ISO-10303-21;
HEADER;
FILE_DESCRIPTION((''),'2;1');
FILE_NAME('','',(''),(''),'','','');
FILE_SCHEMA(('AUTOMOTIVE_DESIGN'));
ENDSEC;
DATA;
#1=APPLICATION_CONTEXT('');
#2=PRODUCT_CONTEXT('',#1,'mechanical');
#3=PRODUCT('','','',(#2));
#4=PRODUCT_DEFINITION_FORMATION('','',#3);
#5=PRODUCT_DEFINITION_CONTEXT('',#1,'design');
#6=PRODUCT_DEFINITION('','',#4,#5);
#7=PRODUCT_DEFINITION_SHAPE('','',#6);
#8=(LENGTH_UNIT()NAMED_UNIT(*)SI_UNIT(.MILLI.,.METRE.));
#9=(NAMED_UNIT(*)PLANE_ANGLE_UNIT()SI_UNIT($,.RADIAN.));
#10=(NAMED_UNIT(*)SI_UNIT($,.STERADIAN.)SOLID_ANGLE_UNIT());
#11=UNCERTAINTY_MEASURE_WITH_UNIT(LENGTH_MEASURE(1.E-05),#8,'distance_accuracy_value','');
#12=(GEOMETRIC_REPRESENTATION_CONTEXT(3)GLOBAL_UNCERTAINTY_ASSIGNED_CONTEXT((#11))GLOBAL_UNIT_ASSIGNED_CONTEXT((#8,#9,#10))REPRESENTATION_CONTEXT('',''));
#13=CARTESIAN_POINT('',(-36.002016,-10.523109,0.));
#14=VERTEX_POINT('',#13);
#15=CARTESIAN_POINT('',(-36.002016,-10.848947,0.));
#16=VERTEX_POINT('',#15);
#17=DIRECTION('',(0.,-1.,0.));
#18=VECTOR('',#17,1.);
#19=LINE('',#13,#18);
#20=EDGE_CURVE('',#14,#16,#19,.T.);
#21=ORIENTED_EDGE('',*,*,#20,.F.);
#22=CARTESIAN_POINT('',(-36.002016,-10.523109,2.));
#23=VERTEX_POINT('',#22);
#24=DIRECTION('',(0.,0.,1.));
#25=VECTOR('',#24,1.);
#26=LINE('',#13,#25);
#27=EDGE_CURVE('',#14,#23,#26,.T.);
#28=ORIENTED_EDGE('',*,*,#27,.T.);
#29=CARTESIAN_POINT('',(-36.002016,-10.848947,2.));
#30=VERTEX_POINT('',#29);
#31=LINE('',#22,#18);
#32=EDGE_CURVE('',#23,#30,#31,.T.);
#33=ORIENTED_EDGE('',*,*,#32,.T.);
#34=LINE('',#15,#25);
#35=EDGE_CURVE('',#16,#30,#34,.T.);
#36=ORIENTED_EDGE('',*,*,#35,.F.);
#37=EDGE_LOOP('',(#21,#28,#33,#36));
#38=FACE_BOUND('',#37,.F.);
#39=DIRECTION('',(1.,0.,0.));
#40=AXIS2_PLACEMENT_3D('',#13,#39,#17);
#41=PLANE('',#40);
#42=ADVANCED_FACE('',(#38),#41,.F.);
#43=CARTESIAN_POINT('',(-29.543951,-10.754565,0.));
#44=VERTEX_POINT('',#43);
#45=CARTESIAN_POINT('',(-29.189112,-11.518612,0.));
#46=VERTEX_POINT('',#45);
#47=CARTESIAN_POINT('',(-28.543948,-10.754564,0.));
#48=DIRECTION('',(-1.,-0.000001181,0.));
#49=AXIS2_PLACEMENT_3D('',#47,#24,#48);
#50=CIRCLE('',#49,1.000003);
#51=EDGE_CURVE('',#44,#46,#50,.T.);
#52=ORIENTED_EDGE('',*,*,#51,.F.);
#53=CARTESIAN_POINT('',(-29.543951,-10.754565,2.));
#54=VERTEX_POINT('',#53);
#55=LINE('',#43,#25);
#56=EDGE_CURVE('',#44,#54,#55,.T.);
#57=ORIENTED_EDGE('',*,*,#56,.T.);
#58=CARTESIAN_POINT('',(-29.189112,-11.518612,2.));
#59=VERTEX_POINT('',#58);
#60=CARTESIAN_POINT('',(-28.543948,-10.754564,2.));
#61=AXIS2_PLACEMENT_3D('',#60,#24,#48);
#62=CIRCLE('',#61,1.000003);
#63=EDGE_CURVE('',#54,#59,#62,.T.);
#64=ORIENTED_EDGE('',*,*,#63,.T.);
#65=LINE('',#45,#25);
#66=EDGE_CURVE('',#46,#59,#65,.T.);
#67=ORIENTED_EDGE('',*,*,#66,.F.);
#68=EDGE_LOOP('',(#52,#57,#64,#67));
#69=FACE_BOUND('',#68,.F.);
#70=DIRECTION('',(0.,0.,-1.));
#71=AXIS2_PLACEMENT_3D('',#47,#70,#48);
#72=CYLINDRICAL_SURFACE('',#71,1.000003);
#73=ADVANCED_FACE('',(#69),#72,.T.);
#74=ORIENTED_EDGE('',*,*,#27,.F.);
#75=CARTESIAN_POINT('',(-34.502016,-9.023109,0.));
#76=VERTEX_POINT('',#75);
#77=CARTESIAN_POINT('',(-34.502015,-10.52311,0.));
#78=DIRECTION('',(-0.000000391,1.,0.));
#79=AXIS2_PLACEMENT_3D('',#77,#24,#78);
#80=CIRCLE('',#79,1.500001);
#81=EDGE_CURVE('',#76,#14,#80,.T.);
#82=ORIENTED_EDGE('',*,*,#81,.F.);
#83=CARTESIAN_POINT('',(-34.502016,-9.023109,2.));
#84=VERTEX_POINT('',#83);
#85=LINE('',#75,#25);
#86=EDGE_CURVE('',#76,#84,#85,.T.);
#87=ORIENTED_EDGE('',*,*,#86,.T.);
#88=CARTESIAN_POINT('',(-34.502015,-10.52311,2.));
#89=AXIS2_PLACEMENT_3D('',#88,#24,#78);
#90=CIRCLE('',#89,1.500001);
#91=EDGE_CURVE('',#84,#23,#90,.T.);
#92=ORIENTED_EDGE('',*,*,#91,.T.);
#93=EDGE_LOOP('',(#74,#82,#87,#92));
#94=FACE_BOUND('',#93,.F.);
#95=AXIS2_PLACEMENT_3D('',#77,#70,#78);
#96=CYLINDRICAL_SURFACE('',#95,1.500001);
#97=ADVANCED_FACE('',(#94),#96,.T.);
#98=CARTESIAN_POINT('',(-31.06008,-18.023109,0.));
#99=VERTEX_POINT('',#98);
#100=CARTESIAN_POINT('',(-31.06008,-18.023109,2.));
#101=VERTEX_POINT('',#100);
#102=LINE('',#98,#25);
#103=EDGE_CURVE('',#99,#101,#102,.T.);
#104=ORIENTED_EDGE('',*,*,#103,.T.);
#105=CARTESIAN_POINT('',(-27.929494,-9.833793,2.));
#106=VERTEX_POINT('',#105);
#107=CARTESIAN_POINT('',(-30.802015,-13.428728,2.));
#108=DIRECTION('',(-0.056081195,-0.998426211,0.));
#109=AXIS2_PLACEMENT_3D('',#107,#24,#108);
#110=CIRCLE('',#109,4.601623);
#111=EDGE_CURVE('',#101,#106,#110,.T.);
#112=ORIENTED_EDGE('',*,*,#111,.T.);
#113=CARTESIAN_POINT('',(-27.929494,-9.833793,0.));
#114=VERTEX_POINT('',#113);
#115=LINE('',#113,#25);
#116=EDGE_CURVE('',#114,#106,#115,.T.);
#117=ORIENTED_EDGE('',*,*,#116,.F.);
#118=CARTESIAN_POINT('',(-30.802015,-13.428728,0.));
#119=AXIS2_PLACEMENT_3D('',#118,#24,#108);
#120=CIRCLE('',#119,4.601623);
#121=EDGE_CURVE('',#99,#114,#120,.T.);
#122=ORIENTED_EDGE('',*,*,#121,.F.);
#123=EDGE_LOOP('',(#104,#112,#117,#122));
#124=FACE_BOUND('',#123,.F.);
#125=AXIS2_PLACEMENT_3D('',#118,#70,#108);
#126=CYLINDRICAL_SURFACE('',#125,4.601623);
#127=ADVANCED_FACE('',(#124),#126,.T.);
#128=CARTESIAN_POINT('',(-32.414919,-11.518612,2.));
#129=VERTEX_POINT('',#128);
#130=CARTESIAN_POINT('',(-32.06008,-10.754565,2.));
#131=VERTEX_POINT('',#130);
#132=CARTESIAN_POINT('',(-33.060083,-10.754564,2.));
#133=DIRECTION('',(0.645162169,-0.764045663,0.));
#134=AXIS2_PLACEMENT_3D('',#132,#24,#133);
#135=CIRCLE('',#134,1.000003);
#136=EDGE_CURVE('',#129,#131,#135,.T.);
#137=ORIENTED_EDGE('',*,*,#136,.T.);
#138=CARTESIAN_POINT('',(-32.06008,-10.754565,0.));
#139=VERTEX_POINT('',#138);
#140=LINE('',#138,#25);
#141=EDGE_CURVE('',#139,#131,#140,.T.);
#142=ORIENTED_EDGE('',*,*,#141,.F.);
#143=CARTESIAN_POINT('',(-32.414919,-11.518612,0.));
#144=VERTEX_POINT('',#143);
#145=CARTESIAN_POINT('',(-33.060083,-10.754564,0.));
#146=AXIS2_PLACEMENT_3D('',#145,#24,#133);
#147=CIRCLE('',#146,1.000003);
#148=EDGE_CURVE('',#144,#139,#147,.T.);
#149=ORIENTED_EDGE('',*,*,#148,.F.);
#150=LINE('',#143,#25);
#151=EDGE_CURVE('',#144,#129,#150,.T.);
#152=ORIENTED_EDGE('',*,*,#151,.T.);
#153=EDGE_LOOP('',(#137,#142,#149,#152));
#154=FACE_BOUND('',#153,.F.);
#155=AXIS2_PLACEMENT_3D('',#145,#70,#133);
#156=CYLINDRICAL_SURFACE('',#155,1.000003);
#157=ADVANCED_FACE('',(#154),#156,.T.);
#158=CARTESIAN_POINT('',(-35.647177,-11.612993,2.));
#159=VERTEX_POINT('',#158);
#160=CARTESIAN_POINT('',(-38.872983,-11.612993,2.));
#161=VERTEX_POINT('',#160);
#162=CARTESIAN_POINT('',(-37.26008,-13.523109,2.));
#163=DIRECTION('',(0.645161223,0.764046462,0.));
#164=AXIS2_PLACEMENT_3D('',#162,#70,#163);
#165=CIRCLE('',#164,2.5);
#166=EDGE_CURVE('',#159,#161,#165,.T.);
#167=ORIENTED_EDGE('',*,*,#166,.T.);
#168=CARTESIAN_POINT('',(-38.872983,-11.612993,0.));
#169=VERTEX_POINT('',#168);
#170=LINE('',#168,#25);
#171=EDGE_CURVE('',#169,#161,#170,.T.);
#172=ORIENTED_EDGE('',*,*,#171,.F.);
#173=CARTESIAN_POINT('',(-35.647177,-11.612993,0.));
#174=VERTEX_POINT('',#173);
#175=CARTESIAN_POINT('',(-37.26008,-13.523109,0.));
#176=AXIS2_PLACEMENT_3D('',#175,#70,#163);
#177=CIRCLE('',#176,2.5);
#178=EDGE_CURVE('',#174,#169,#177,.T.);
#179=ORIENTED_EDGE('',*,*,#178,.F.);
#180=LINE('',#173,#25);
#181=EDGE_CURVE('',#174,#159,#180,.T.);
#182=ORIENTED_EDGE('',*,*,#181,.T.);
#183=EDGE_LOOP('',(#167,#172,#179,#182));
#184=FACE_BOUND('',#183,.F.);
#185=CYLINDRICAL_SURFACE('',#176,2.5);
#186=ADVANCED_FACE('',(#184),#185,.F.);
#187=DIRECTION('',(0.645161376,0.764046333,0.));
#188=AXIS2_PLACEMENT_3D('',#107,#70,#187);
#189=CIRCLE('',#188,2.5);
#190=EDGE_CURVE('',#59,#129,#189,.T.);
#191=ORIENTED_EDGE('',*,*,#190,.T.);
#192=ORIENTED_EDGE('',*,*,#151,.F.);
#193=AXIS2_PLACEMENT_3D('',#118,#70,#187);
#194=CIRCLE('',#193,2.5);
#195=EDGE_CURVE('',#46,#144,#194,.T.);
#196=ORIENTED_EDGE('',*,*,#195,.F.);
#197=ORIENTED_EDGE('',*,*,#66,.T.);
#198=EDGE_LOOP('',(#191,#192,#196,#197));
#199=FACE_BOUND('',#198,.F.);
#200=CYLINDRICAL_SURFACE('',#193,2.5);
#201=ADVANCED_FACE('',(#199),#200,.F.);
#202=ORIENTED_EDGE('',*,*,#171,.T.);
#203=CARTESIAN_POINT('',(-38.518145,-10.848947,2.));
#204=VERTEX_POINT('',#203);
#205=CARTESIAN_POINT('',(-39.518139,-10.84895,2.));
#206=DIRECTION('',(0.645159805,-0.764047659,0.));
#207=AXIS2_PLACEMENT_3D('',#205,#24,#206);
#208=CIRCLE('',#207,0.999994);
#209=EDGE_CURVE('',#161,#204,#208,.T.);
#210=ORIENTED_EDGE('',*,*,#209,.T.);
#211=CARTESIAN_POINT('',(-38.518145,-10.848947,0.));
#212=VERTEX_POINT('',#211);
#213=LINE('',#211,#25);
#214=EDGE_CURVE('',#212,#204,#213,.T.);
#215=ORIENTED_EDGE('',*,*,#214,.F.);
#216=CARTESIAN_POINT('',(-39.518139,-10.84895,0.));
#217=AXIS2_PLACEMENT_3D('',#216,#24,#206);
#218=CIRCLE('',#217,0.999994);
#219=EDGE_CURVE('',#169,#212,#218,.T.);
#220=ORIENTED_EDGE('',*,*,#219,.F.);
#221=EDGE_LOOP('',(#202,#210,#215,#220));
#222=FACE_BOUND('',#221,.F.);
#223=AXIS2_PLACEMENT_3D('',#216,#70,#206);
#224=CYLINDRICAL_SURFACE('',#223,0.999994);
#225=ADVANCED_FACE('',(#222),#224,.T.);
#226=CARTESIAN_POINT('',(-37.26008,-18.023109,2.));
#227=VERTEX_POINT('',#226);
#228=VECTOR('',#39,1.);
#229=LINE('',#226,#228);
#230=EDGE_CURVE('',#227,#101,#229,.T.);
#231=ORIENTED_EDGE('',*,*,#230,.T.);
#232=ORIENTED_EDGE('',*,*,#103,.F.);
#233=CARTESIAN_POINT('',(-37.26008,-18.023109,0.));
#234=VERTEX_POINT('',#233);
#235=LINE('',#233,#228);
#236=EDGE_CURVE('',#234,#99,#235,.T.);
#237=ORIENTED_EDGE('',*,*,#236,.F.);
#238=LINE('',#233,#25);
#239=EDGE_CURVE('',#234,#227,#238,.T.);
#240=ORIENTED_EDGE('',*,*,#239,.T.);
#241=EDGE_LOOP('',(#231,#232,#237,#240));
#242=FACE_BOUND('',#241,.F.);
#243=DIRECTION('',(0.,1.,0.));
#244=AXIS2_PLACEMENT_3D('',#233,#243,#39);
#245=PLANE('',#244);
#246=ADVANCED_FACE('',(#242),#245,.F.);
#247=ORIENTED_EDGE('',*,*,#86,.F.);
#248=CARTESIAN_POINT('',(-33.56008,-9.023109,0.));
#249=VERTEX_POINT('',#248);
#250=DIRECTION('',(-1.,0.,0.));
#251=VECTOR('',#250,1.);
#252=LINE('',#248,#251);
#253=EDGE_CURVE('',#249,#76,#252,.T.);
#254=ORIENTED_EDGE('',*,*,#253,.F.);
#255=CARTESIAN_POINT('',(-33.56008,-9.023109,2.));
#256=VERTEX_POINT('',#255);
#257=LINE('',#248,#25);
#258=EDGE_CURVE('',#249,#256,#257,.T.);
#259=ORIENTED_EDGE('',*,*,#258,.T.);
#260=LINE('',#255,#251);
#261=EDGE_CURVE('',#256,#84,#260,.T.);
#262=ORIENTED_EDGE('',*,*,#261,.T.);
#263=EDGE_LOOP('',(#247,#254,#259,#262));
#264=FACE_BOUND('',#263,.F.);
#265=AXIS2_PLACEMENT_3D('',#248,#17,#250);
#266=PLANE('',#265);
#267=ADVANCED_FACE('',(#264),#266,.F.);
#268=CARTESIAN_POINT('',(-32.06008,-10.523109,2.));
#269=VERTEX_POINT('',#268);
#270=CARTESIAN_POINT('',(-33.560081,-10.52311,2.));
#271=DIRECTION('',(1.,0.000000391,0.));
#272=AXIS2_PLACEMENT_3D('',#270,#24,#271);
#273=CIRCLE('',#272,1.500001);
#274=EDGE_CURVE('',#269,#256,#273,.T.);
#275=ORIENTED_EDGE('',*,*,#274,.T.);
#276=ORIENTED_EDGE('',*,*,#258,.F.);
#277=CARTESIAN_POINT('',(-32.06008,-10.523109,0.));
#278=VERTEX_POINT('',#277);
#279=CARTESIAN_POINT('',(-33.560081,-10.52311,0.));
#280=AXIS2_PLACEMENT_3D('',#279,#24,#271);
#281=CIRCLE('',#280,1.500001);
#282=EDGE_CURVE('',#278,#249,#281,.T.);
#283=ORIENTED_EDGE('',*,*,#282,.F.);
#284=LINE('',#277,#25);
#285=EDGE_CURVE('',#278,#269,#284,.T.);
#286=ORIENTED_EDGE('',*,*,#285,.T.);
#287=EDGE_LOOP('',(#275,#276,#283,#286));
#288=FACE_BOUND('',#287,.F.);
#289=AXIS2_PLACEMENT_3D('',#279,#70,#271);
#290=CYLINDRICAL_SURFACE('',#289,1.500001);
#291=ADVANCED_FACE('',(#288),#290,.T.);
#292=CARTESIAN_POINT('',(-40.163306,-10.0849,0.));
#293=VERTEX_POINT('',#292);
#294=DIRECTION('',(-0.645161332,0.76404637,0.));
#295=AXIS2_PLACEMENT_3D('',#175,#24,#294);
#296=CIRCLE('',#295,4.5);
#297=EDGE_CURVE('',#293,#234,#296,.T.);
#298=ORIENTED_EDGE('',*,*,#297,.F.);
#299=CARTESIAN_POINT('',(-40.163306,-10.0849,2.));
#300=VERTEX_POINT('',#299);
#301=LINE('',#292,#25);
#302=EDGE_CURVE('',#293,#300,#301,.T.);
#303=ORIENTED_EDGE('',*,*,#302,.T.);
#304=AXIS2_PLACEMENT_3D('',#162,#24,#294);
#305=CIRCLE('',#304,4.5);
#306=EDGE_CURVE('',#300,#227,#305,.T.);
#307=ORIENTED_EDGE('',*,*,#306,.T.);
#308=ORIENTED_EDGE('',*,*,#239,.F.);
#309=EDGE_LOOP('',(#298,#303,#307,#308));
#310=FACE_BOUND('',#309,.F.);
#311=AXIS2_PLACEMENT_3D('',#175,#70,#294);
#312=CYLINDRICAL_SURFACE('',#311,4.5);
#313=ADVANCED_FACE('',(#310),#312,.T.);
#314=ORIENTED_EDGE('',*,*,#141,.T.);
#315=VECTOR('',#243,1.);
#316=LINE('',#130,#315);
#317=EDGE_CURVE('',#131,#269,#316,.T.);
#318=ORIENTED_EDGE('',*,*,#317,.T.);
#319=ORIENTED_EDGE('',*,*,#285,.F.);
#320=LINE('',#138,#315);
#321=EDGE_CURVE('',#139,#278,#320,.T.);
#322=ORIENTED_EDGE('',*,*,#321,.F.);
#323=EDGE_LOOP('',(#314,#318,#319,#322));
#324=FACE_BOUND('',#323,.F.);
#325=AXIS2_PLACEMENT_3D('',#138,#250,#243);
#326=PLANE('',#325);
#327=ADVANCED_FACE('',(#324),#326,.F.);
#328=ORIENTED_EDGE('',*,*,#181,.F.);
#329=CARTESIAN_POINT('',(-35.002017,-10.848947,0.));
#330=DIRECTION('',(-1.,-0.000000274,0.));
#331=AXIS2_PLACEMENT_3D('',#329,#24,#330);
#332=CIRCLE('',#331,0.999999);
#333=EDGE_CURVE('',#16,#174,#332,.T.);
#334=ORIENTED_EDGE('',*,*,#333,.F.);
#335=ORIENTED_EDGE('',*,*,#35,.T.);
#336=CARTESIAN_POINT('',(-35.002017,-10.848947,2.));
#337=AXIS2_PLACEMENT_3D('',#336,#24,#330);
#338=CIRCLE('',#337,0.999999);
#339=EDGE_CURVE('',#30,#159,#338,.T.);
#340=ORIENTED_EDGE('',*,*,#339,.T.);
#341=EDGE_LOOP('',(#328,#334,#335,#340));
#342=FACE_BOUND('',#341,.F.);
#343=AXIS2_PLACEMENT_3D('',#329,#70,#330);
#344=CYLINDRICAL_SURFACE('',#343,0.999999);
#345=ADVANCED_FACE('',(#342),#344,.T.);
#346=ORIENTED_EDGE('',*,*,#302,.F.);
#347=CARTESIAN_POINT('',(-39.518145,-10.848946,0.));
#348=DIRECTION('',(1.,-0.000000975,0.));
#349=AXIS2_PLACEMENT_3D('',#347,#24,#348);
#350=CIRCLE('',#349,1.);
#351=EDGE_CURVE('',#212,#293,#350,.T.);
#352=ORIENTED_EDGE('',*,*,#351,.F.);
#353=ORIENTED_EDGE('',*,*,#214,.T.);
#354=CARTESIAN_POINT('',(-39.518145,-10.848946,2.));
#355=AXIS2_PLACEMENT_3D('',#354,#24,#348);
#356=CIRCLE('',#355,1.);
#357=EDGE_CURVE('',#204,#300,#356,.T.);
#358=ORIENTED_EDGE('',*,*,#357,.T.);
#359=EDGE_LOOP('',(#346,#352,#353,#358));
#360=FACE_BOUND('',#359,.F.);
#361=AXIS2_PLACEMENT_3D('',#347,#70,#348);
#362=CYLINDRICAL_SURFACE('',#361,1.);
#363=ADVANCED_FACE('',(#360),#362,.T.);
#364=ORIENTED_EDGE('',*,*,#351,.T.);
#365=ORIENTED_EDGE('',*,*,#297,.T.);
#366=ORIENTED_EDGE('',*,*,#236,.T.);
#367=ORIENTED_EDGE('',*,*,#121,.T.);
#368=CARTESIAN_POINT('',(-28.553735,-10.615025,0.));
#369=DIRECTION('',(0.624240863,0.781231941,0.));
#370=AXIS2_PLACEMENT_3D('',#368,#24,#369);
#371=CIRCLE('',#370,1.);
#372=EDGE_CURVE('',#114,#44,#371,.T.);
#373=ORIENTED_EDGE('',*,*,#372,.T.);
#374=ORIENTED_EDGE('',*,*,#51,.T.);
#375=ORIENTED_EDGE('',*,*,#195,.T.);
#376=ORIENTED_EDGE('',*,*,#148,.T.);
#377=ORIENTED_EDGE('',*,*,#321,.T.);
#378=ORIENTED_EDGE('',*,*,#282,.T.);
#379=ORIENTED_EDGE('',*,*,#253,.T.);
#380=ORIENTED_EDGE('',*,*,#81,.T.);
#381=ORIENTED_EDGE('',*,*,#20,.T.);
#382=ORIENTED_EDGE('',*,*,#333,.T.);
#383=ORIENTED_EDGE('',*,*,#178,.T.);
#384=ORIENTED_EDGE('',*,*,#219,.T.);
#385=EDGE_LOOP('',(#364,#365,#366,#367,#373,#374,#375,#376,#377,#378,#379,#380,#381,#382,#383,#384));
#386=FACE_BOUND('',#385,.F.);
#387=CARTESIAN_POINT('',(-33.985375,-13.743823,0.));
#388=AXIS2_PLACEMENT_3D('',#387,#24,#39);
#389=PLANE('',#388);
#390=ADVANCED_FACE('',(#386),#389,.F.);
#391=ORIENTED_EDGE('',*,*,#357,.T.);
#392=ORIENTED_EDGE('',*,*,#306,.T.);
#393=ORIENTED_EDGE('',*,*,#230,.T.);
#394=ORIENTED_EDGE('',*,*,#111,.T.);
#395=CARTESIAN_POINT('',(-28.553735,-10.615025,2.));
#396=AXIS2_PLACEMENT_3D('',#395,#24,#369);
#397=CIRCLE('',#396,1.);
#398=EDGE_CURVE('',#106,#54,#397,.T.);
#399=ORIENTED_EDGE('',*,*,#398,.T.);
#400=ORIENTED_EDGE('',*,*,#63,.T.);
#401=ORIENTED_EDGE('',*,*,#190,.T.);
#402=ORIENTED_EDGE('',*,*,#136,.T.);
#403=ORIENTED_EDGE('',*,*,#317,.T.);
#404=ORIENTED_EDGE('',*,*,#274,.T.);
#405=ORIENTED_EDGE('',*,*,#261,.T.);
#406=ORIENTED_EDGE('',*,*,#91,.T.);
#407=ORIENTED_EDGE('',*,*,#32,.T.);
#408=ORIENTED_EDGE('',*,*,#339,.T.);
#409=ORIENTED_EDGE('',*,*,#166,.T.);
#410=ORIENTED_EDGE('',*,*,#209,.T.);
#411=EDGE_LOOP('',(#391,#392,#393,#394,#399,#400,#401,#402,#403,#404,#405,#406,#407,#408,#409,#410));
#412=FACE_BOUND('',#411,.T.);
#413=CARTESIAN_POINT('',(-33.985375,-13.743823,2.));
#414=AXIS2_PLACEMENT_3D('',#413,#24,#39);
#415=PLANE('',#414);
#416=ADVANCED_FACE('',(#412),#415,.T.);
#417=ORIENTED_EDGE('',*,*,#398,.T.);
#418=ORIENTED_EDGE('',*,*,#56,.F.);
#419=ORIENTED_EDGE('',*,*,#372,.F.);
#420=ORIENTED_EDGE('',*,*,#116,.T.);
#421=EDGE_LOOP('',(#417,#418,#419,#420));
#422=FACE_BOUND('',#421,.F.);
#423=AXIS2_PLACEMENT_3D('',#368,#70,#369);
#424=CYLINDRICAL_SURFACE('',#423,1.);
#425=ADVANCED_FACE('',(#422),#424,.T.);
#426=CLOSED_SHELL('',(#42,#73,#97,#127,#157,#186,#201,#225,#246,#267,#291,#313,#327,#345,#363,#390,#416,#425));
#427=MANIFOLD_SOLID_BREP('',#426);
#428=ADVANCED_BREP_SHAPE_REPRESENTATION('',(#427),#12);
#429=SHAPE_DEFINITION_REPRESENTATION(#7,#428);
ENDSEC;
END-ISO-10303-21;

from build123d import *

# Parameters (mm, degrees)
F1_DEPTH = 2


with BuildPart() as f1:
    # F0 (on Top) → F1 (new body)
    with BuildSketch(Plane.XY):
        with BuildLine():
            ThreePointArc((-35.647177, -11.612993), (-37.26008, -16.023109), (-38.872983, -11.612993))
            ThreePointArc((-38.872983, -11.612993), (-38.611182, -11.270159), (-38.518145, -10.848947))
            ThreePointArc((-38.518145, -10.848947), (-39.096933, -9.941984), (-40.163306, -10.0849))
            ThreePointArc((-40.163306, -10.0849), (-41.486304, -15.068758), (-37.26008, -18.023109))
            Line((-37.26008, -18.023109), (-31.06008, -18.023109))
            ThreePointArc((-31.06008, -18.023109), (-26.503752, -15.071855), (-27.929494, -9.833793))
            ThreePointArc((-27.929494, -9.833793), (-29.049154, -9.746371), (-29.543951, -10.754565))
            ThreePointArc((-29.543951, -10.754565), (-29.450913, -11.175777), (-29.189112, -11.518612))
            ThreePointArc((-29.189112, -11.518612), (-30.802016, -15.928728), (-32.414919, -11.518612))
            ThreePointArc((-32.414919, -11.518612), (-32.153118, -11.175777), (-32.06008, -10.754565))
            Line((-32.06008, -10.754565), (-32.06008, -10.523109))
            ThreePointArc((-32.06008, -10.523109), (-32.49942, -9.462449), (-33.56008, -9.023109))
            Line((-33.56008, -9.023109), (-34.502016, -9.023109))
            ThreePointArc((-34.502016, -9.023109), (-35.562676, -9.462449), (-36.002016, -10.523109))
            Line((-36.002016, -10.523109), (-36.002016, -10.848947))
            ThreePointArc((-36.002016, -10.848947), (-35.908978, -11.270159), (-35.647177, -11.612993))
        make_face()
    extrude(amount=F1_DEPTH)


solid = f1.part
